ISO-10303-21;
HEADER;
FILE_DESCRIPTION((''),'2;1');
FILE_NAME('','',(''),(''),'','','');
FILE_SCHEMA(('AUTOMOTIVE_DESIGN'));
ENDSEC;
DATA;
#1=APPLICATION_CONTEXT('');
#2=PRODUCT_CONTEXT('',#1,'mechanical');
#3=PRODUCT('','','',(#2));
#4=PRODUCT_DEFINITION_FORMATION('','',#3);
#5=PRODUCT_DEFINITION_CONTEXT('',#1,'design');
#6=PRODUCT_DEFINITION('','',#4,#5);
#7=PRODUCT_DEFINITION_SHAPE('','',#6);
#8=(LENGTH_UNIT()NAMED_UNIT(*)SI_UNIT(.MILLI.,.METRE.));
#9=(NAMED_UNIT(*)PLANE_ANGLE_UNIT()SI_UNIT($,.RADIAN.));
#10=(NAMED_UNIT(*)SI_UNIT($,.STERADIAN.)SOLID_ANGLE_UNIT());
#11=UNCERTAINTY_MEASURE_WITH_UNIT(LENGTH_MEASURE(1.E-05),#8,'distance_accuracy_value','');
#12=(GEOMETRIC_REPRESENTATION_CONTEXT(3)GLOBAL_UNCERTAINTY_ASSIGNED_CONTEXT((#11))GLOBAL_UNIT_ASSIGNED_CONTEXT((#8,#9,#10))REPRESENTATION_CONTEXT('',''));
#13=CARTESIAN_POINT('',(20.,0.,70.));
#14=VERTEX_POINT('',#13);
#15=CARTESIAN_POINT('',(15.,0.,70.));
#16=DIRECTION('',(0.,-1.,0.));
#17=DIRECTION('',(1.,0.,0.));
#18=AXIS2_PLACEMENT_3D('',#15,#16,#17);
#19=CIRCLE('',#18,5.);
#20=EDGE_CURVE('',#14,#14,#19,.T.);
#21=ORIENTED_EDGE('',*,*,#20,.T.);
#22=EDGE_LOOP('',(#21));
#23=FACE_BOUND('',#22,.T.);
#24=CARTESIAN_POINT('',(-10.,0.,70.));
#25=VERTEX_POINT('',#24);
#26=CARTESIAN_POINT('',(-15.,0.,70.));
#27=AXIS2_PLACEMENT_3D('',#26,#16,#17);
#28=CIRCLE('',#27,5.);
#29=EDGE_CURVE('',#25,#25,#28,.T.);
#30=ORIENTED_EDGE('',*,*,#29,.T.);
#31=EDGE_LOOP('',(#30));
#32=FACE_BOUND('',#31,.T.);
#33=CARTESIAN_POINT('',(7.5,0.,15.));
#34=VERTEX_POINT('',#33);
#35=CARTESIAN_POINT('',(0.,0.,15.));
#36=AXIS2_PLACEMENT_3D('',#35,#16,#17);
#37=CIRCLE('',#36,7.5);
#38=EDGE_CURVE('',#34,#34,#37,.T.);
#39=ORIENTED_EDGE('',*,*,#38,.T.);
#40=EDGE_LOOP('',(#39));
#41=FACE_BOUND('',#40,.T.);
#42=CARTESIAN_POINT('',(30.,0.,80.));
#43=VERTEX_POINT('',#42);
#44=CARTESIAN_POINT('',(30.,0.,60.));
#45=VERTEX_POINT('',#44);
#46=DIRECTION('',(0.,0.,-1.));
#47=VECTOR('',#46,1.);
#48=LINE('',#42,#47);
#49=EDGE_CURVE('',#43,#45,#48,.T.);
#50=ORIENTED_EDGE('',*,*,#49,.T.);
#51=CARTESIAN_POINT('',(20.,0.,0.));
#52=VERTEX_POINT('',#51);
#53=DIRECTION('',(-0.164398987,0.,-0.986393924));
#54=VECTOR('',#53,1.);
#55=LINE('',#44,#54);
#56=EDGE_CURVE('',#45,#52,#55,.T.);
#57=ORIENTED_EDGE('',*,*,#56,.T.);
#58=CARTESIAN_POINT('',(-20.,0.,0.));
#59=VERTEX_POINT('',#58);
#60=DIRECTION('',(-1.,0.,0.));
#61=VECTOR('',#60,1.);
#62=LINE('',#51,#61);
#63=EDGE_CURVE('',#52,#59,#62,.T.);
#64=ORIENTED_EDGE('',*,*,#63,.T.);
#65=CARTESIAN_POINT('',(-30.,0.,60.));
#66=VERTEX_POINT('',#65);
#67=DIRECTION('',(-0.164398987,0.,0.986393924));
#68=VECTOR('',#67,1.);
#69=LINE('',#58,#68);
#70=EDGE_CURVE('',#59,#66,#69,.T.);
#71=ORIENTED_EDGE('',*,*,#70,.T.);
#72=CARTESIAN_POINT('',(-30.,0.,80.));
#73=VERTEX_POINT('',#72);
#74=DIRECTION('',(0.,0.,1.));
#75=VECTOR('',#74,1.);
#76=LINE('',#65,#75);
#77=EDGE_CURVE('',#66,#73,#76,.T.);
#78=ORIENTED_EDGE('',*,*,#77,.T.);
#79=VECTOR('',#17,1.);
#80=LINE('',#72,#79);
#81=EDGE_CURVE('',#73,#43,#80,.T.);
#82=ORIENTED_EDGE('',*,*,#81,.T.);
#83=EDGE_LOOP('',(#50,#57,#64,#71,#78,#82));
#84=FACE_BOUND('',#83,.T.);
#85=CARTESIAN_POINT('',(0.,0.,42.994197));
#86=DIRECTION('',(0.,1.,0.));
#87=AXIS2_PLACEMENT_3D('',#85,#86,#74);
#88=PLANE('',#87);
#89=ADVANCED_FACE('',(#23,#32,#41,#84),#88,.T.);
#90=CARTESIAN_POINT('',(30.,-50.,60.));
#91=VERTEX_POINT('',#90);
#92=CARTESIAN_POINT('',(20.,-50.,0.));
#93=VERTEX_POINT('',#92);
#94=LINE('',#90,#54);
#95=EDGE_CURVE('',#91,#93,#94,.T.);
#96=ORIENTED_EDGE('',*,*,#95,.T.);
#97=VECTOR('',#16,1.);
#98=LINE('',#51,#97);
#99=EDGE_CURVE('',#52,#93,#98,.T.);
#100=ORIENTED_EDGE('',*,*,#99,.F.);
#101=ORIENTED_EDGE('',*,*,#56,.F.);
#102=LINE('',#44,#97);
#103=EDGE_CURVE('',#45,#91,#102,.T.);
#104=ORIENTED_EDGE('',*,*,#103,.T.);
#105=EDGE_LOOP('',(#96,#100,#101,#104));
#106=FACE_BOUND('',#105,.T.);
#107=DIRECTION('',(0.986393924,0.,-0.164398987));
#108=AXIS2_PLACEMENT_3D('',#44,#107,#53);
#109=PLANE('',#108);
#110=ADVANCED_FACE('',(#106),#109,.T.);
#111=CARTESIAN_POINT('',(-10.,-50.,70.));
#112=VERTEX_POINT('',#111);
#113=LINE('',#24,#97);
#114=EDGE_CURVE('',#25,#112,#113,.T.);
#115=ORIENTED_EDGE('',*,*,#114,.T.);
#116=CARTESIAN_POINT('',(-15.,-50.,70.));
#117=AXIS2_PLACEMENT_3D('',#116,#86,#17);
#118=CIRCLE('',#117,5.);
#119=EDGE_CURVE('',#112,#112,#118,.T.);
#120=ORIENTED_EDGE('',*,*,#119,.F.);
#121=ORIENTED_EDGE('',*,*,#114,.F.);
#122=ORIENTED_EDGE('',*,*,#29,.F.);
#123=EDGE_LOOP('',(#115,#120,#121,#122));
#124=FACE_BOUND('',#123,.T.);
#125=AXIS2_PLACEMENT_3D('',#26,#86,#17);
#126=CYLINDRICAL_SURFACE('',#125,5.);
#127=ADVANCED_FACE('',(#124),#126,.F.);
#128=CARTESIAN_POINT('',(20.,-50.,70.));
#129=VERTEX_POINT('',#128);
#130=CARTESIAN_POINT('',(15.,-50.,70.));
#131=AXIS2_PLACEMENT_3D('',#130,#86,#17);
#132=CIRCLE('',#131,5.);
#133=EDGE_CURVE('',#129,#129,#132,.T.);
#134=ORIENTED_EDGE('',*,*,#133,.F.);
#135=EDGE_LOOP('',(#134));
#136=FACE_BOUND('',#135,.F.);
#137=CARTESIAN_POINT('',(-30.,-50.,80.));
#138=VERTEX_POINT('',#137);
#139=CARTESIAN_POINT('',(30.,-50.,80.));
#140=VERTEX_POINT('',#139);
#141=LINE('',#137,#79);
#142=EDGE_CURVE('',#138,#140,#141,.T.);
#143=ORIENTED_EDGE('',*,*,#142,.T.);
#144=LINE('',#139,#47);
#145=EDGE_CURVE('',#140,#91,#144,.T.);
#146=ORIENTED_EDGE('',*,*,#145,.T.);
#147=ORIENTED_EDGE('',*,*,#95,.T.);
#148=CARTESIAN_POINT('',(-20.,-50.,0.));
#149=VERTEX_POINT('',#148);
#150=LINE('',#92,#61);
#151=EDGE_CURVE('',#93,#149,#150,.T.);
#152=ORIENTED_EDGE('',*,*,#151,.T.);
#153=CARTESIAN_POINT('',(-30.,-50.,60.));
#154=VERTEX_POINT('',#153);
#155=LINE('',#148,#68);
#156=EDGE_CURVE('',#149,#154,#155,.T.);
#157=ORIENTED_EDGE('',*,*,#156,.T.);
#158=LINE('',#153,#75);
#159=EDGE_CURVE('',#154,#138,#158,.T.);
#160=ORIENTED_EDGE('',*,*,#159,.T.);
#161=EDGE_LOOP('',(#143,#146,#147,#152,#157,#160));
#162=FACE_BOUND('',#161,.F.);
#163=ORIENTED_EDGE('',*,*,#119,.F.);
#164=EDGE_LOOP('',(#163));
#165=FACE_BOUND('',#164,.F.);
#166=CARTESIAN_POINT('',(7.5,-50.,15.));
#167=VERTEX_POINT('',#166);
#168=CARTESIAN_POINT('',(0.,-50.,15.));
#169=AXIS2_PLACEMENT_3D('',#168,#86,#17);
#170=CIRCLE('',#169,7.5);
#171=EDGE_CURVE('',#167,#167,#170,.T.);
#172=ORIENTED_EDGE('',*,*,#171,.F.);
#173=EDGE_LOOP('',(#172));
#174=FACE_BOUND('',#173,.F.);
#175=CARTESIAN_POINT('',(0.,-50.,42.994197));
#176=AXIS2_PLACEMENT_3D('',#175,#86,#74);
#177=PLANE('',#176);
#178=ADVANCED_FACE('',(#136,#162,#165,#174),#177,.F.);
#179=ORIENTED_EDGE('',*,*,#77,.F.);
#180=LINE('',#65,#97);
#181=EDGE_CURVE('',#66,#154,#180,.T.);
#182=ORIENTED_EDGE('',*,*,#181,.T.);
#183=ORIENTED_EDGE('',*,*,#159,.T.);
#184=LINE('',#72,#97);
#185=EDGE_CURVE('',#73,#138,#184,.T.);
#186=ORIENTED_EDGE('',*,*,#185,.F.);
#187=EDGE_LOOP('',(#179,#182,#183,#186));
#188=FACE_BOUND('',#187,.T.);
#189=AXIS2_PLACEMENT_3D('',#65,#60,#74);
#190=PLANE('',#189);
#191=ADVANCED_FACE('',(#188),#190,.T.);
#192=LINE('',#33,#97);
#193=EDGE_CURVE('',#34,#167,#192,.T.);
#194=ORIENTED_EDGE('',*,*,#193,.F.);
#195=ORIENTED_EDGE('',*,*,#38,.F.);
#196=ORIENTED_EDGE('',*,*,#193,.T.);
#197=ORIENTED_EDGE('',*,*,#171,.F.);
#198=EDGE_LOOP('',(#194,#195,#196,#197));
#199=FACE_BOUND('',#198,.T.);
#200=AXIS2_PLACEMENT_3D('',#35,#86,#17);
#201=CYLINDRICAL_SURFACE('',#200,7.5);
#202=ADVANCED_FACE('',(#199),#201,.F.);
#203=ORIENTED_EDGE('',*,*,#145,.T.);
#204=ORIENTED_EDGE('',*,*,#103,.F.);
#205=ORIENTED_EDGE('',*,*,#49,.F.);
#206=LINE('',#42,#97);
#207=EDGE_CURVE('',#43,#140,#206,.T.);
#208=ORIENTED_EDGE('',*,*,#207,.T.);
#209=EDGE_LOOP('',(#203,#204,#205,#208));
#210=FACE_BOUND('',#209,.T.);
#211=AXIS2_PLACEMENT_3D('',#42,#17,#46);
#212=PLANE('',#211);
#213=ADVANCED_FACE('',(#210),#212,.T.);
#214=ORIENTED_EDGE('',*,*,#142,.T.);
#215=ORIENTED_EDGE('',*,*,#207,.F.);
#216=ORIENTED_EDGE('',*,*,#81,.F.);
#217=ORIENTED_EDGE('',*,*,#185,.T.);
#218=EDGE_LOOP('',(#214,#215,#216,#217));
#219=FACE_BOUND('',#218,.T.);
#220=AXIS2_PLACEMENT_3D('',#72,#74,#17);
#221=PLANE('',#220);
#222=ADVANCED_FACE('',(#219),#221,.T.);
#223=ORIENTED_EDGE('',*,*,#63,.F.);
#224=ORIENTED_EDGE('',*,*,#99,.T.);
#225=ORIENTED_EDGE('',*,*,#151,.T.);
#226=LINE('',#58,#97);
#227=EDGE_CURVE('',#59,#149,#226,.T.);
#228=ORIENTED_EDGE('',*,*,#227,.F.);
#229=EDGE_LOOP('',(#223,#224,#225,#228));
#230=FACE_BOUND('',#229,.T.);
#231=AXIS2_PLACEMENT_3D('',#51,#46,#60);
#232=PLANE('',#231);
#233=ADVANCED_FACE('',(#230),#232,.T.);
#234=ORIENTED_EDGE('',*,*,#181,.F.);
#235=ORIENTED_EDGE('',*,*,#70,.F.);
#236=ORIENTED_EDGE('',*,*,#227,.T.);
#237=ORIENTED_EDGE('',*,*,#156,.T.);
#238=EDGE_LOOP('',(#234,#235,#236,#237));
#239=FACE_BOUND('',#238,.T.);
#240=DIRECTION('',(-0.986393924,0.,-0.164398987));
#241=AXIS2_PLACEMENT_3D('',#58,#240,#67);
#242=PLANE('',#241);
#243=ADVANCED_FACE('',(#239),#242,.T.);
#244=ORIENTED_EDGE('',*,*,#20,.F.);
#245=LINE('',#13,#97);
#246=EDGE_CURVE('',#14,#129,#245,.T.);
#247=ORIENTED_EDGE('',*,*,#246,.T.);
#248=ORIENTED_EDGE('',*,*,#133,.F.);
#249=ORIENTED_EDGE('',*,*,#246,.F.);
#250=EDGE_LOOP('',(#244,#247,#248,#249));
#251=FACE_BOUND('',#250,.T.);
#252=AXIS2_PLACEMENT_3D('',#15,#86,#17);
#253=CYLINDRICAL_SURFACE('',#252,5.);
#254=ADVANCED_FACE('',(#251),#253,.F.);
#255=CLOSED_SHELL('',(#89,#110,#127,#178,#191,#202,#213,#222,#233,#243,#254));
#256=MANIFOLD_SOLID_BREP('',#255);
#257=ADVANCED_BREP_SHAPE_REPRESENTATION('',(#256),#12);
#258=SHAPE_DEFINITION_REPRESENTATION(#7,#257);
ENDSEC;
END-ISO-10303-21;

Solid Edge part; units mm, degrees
sketch "Sketch1" plane through (0, 0, 0) normal (0, -1, 0) x (1, 0, 0)
  line L0 (-20, 0) -> (-30, 60)
  line L1 (-30, 60) -> (-30, 80)
  line L2 (-30, 80) -> (30, 80)
  line L3 (30, 80) -> (30, 60)
  line L4 (30, 60) -> (20, 0)
  line L5 (20, 0) -> (-20, 0)
extrude "Protrusion1" add sketch "Sketch1" along normal blind 50
sketch "Sketch2" plane through (0, 0, 0) normal (0, -1, 0) x (1, 0, 0)
  circle A0 centre (0, 15) radius 7.5
extrude "Cutout1" cut sketch "Sketch2" along normal through all
sketch "Sketch3" plane through (0, 0, 0) normal (0, -1, 0) x (1, 0, 0)
  circle A0 centre (-15, 70) radius 5
extrude "Cutout2" cut sketch "Sketch3" along normal through all
sketch "Sketch4" plane through (0, 0, 0) normal (0, -1, 0) x (1, 0, 0)
  circle A0 centre (15, 70) radius 5
extrude "Cutout3" cut sketch "Sketch4" along normal through all
